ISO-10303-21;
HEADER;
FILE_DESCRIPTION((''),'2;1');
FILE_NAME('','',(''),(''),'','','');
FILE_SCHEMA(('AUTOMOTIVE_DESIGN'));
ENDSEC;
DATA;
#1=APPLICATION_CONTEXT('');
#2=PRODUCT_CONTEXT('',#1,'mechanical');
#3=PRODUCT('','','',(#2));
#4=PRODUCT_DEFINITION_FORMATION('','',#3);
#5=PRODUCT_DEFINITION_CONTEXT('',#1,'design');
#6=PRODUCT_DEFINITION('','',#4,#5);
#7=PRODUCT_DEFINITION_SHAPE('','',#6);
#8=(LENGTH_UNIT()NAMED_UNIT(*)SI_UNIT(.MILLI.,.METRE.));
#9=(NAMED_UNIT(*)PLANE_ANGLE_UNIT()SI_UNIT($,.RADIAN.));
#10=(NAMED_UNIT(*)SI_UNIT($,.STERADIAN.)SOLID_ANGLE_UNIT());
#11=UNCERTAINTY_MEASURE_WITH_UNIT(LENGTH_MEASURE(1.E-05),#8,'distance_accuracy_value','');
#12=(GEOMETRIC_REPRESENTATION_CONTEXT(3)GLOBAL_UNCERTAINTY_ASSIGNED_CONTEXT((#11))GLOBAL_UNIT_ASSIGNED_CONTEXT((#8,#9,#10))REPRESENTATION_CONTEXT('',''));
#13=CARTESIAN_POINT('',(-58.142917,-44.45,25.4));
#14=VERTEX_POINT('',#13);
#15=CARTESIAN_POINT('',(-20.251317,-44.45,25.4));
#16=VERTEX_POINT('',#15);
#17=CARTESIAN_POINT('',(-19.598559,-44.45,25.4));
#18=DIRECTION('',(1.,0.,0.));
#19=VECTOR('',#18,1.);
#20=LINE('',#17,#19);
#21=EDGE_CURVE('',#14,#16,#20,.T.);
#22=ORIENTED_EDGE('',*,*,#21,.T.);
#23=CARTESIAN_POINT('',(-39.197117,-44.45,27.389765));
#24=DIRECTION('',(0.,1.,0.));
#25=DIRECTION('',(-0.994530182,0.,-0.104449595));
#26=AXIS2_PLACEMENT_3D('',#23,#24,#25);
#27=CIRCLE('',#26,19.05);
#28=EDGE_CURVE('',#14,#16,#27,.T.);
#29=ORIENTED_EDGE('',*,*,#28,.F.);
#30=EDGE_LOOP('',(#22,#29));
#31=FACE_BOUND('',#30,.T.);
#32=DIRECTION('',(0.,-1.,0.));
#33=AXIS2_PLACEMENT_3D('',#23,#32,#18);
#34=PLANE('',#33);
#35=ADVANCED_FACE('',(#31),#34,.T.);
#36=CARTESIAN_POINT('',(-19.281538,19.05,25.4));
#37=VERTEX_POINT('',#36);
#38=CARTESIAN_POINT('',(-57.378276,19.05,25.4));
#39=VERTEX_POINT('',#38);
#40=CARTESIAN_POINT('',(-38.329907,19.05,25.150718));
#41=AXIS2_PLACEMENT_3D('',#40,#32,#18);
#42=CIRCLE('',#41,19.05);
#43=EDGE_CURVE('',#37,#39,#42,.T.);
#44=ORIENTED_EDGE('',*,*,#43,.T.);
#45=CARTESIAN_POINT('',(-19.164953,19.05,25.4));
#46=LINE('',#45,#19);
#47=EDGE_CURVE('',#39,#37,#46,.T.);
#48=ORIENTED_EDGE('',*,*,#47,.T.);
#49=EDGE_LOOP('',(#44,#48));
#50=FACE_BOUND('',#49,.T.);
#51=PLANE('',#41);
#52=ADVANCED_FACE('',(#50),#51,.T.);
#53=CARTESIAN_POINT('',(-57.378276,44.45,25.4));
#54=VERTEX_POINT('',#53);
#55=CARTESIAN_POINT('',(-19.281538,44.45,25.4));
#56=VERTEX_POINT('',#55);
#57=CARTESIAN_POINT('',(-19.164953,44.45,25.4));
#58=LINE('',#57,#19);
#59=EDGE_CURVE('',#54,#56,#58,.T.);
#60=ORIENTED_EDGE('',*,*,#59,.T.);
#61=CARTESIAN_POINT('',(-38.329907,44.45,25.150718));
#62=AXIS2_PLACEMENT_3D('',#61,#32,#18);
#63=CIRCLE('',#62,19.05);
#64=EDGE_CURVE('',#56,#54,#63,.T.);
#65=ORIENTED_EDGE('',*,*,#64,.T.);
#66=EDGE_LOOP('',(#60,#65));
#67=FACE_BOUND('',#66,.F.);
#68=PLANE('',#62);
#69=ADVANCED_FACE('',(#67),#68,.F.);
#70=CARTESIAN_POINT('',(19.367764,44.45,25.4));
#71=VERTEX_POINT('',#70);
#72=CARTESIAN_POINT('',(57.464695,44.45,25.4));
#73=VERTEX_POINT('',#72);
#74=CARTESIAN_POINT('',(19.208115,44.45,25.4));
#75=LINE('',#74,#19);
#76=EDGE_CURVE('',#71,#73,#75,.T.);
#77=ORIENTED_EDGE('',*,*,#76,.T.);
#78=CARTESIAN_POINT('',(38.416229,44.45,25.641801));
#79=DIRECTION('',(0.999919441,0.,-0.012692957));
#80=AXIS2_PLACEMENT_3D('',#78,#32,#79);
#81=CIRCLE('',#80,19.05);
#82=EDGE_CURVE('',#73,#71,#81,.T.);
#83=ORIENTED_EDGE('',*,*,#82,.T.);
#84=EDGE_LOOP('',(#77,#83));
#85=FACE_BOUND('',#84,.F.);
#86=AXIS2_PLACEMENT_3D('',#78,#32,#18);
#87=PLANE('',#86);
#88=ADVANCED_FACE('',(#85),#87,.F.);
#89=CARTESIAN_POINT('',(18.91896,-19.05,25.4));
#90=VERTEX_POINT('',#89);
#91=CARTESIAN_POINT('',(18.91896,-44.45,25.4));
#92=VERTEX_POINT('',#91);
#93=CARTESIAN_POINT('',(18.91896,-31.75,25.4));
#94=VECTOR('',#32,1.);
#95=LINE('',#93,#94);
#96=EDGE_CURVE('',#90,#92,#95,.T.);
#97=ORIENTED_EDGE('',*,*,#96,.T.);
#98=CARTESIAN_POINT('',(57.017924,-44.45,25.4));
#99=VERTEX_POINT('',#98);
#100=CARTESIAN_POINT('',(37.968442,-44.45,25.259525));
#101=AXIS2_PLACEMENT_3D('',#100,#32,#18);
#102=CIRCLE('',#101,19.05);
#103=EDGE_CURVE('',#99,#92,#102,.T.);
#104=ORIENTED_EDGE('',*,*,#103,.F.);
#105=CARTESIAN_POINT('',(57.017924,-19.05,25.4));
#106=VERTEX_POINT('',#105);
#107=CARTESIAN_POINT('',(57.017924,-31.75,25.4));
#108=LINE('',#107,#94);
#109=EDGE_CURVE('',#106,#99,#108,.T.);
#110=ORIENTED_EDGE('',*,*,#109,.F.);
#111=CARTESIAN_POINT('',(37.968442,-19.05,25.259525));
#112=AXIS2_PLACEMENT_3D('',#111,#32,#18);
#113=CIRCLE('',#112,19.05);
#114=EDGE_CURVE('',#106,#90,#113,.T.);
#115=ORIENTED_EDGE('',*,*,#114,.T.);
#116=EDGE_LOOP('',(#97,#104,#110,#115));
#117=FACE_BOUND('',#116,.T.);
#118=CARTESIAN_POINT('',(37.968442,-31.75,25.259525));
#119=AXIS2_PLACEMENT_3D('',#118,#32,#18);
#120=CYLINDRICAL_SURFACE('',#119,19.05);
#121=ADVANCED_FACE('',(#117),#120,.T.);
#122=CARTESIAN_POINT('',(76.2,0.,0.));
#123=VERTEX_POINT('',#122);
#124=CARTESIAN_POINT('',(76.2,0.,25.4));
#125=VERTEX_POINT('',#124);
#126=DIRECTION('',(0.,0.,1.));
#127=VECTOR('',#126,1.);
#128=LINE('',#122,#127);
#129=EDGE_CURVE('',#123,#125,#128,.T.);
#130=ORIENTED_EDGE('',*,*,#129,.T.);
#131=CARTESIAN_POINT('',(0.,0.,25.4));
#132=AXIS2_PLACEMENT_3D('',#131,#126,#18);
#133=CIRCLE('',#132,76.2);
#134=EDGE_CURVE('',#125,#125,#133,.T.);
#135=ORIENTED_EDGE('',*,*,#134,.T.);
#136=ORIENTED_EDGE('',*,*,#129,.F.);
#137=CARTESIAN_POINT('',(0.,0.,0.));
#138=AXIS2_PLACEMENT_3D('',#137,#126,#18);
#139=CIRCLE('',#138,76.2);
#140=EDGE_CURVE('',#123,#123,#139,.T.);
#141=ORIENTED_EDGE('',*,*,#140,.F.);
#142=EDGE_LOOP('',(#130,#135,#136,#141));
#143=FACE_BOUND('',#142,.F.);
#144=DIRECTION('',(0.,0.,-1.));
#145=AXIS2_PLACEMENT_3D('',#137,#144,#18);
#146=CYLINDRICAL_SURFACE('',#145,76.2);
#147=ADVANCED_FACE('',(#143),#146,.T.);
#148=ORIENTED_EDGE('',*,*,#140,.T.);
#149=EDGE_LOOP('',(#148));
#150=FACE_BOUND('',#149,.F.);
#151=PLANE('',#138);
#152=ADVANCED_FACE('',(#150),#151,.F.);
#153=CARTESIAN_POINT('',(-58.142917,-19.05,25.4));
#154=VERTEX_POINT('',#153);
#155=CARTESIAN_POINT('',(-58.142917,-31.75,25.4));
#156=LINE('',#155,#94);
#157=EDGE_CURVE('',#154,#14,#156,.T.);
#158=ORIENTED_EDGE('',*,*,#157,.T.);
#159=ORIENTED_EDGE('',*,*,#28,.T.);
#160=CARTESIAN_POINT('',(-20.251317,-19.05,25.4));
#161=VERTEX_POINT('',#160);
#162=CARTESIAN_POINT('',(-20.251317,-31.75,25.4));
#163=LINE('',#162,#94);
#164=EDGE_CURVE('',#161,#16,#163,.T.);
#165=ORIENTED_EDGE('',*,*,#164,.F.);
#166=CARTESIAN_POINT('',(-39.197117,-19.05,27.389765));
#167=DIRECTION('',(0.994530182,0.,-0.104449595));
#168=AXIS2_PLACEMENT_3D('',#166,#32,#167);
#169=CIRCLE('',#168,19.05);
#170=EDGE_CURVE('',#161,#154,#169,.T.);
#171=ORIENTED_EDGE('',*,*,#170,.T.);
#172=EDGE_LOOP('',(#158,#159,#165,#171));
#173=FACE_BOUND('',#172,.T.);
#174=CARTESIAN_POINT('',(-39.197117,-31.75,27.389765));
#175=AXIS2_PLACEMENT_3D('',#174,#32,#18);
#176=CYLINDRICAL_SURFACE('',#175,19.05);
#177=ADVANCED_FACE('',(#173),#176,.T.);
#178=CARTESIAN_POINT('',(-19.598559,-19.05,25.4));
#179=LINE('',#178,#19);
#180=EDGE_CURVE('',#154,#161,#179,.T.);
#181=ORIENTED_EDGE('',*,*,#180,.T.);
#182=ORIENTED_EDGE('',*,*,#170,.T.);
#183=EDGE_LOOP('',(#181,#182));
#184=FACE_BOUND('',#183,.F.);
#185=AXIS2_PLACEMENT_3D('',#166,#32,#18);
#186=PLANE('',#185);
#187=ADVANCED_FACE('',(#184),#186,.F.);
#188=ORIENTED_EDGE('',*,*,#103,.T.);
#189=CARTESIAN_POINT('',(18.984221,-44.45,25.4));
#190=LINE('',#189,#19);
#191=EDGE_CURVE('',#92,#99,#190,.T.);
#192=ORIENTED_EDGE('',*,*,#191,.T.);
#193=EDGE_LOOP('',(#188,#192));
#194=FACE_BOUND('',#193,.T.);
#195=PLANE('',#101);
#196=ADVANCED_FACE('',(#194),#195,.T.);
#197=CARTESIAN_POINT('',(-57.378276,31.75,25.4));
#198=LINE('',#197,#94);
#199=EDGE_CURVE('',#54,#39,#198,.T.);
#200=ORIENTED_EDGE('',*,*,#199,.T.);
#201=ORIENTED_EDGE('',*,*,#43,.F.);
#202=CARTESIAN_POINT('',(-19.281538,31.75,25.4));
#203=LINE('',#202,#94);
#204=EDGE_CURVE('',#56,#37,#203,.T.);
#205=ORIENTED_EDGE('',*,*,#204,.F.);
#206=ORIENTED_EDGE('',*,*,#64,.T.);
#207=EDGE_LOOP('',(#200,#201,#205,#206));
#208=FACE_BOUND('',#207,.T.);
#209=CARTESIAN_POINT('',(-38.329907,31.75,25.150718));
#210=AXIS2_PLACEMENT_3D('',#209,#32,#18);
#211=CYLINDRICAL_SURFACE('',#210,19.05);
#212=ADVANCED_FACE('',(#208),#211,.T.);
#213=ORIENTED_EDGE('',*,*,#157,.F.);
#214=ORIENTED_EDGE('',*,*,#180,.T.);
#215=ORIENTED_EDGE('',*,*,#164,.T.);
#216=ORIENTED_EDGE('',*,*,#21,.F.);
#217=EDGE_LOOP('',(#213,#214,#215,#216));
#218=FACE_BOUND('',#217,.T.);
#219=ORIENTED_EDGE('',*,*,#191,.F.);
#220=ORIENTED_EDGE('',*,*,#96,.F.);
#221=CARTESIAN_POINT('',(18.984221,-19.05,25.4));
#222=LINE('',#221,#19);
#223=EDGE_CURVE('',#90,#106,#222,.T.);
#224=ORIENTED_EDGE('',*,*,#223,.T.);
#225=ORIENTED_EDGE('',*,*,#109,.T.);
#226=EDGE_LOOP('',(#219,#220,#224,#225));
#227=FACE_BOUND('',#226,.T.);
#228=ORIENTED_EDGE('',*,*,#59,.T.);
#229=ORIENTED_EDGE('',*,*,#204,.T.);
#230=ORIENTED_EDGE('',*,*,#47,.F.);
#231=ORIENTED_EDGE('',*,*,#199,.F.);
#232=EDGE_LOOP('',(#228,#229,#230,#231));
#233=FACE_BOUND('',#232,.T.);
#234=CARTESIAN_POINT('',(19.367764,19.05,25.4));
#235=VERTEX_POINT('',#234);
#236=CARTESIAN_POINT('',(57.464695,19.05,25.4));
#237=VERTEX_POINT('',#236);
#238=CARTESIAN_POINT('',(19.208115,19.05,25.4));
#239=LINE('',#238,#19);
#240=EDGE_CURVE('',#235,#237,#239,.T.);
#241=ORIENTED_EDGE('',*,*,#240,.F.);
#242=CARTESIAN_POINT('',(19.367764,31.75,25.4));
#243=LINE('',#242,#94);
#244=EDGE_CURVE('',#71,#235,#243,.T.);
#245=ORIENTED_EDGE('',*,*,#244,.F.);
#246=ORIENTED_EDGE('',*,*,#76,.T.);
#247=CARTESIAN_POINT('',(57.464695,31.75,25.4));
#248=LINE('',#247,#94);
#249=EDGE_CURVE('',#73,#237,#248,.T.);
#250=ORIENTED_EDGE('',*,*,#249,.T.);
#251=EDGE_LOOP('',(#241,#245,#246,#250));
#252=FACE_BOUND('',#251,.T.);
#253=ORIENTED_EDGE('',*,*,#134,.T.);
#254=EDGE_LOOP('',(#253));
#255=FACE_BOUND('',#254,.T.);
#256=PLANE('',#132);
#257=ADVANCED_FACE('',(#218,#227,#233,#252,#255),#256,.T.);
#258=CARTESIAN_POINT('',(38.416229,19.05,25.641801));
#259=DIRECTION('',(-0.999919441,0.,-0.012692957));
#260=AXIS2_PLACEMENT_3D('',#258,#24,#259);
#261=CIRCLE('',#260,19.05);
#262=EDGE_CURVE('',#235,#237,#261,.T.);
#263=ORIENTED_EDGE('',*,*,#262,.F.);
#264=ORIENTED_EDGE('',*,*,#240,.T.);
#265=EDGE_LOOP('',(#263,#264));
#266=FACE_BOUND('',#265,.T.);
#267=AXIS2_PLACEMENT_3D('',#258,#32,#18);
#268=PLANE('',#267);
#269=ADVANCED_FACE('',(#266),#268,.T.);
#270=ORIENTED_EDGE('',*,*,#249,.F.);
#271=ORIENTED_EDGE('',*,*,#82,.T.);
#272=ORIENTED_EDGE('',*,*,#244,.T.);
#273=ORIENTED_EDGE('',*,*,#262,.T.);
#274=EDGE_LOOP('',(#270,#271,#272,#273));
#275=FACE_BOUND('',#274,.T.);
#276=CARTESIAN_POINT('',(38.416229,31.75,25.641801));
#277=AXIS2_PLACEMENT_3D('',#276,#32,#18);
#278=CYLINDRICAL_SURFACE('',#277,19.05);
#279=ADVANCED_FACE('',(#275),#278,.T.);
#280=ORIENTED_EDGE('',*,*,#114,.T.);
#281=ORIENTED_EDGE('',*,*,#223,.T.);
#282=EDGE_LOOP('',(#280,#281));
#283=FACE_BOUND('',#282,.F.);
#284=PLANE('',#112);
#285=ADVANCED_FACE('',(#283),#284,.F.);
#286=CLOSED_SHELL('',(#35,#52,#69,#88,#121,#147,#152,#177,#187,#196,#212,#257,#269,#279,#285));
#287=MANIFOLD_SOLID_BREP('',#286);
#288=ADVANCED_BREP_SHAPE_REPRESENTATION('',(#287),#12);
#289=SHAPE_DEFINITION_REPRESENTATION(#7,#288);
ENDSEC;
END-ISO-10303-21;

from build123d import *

# Parameters (mm, degrees)
F0_R      = 76.2
F1_DEPTH  = 25.4
F4_R      = 19.05
F5_DEPTH  = 12.7
F7_R      = 19.05
F8_DEPTH  = 12.7
F9_R      = 19.05
F10_DEPTH = 12.7
F11_R     = 19.05
F12_DEPTH = 12.7


with BuildPart() as f1:
    # F0 (on Top) → F1 (new body)
    with BuildSketch(Plane.XY):
        Circle(F0_R)
    extrude(amount=F1_DEPTH)

    # F4 (on plane+point) → F5 (join, symmetric)
    with BuildSketch(Plane.XZ.offset(-31.75)):
        with Locations((38.4162291884, 25.6418008357)):
            Circle(F4_R)
    extrude(amount=F5_DEPTH, both=True)

    # F7 (on plane+point) → F8 (join, symmetric)
    with BuildSketch(Plane.XZ.offset(31.75)):
        with Locations((37.968441844, 25.2595245838)):
            Circle(F7_R)
    extrude(amount=F8_DEPTH, both=True)

    # F9 (on plane+point) → F10 (join, symmetric)
    with BuildSketch(Plane.XZ.offset(-31.75)):
        with Locations((-38.3299067616, 25.1507181674)):
            Circle(F9_R)
    extrude(amount=F10_DEPTH, both=True)

    # F11 (on plane+point) → F12 (join, symmetric)
    with BuildSketch(Plane.XZ.offset(31.75)):
        with Locations((-39.1971170902, 27.3897647858)):
            Circle(F11_R)
    extrude(amount=F12_DEPTH, both=True)


solid = f1.part
